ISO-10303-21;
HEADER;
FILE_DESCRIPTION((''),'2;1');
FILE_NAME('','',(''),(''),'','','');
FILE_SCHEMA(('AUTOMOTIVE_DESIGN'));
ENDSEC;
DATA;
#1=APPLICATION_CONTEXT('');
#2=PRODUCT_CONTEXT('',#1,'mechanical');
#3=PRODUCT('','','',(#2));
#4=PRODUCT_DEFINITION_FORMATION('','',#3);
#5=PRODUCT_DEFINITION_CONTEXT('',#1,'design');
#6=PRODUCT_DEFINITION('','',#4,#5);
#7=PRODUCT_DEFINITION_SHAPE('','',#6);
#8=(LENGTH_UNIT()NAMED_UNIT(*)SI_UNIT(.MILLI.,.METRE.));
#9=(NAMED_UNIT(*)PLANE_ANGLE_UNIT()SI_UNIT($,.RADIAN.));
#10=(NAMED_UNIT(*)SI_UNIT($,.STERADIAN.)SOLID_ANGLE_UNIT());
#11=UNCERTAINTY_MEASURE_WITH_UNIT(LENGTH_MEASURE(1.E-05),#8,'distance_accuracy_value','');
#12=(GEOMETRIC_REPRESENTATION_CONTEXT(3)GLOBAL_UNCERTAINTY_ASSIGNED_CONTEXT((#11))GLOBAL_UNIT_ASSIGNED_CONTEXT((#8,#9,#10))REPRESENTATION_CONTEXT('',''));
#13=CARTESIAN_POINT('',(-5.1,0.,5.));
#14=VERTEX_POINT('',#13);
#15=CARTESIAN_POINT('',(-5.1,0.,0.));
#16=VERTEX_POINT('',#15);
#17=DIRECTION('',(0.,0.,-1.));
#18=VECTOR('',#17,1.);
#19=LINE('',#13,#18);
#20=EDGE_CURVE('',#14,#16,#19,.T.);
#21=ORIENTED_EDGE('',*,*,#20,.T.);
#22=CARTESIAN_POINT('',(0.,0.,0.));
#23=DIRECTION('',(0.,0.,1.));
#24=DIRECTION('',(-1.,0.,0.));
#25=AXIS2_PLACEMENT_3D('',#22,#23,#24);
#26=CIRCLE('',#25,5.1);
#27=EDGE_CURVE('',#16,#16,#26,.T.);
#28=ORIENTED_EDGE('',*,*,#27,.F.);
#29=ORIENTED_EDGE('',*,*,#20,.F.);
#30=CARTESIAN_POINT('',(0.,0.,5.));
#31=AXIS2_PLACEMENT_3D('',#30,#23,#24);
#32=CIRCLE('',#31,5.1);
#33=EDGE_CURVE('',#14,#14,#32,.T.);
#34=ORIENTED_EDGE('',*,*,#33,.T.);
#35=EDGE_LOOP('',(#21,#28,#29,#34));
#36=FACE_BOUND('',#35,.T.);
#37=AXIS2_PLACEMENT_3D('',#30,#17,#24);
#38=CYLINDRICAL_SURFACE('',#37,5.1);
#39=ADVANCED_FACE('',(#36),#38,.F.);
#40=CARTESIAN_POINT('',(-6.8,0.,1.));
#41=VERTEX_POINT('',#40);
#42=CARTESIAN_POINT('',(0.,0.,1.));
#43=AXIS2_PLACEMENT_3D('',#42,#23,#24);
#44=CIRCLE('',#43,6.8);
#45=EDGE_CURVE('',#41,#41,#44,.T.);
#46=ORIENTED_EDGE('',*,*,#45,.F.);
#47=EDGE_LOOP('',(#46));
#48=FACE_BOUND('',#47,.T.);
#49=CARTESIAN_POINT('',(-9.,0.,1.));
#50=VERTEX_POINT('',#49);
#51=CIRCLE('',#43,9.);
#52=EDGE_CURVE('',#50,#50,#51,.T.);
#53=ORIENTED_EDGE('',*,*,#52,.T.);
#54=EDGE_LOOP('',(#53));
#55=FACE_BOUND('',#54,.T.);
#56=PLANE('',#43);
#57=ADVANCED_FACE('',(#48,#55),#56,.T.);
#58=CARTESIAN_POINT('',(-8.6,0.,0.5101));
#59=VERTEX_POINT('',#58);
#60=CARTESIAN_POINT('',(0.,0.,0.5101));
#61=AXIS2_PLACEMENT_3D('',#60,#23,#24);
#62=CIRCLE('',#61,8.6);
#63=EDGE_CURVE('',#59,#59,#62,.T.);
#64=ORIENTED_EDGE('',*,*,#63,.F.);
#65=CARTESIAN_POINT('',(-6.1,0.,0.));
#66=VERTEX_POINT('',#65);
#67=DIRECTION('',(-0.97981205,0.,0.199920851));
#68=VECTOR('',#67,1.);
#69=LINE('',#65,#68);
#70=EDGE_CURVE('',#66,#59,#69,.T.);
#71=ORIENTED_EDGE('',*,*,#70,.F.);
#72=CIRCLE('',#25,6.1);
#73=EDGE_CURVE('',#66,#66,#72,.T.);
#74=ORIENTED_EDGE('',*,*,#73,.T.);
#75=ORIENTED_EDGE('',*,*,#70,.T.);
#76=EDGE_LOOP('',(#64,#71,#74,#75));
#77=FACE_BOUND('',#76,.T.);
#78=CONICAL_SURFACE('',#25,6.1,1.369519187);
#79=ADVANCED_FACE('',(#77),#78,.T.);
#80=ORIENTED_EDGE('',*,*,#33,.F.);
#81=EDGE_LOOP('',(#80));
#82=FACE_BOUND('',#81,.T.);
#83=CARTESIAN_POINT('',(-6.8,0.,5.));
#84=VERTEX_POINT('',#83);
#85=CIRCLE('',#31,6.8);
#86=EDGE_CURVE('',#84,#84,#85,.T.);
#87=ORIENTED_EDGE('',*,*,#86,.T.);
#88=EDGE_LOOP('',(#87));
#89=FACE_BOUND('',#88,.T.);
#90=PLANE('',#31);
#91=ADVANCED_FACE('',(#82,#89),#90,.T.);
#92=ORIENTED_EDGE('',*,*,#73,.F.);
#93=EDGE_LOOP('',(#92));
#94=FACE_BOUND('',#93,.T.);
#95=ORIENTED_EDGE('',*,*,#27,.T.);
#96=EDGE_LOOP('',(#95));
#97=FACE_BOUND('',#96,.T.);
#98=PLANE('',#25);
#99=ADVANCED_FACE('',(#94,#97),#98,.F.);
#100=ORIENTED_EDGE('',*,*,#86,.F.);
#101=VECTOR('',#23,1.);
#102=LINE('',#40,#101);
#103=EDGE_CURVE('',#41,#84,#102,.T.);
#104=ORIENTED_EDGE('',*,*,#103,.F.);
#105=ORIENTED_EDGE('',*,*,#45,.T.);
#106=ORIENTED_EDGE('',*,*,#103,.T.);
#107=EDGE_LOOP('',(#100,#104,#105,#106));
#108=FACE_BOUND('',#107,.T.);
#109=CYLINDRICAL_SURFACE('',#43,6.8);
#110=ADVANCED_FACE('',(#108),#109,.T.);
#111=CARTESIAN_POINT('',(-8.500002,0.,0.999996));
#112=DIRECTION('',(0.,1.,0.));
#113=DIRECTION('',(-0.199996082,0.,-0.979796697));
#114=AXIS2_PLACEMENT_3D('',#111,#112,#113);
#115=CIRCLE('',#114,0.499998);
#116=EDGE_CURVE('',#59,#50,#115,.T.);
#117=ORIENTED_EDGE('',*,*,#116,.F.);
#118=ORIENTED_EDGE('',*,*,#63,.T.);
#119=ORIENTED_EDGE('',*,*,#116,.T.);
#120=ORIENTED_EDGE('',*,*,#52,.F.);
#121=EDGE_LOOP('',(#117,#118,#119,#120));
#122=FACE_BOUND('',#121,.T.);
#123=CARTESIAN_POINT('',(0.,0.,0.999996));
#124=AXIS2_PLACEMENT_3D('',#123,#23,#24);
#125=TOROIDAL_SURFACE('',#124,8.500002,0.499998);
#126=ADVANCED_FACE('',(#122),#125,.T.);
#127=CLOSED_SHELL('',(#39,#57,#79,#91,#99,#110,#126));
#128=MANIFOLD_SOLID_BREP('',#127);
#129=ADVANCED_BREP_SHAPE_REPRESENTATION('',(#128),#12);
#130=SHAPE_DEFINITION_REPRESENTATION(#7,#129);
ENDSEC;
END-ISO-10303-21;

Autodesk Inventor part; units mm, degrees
ref_plane "YZ Plane" through (0, 0, 0) normal (1, 0, 0) x (0, 1, 0)
ref_plane "XZ Plane" through (0, 0, 0) normal (0, 1, 0) x (-1, 0, 0)
ref_plane "XY Plane" through (0, 0, 0) normal (0, 0, 1) x (1, 0, 0)
sketch "Skizze1" plane through (0, 0, 0) normal (0, 1, 0) x (-1, 0, 0)
  line L0 (6.1, 0) -> (8.6, 0.5101)
  arc A0 (8.6, 0.5101) -> (9, 1) centre (8.5, 1) ccw
  line L1 (9, 1) -> (6.8, 1)
  line L2 (6.8, 1) -> (6.8, 5)
  line L3 (6.8, 5) -> (5.1, 5)
  line L4 (5.1, 5) -> (5.1, 0)
  line L5 (5.1, 0) -> (6.1, 0)
  line L6 (0, 0) -> (0, 11) construction
  dimension "d0" = 6.8
  dimension "d1" = 5.1
  dimension "d2" = 1
  dimension "d3" = 9
  dimension "d4" = 1
  dimension "d6" = 4
  dimension "d8" = 0.5
revolve "Umdrehung1" add sketch "Skizze1" angle 360 about axis through (0, 0, 0) along (0, 0, 1)
properties part number "08-02-01-010_buttonSide" material "ABS-Kunststoff(1)"
